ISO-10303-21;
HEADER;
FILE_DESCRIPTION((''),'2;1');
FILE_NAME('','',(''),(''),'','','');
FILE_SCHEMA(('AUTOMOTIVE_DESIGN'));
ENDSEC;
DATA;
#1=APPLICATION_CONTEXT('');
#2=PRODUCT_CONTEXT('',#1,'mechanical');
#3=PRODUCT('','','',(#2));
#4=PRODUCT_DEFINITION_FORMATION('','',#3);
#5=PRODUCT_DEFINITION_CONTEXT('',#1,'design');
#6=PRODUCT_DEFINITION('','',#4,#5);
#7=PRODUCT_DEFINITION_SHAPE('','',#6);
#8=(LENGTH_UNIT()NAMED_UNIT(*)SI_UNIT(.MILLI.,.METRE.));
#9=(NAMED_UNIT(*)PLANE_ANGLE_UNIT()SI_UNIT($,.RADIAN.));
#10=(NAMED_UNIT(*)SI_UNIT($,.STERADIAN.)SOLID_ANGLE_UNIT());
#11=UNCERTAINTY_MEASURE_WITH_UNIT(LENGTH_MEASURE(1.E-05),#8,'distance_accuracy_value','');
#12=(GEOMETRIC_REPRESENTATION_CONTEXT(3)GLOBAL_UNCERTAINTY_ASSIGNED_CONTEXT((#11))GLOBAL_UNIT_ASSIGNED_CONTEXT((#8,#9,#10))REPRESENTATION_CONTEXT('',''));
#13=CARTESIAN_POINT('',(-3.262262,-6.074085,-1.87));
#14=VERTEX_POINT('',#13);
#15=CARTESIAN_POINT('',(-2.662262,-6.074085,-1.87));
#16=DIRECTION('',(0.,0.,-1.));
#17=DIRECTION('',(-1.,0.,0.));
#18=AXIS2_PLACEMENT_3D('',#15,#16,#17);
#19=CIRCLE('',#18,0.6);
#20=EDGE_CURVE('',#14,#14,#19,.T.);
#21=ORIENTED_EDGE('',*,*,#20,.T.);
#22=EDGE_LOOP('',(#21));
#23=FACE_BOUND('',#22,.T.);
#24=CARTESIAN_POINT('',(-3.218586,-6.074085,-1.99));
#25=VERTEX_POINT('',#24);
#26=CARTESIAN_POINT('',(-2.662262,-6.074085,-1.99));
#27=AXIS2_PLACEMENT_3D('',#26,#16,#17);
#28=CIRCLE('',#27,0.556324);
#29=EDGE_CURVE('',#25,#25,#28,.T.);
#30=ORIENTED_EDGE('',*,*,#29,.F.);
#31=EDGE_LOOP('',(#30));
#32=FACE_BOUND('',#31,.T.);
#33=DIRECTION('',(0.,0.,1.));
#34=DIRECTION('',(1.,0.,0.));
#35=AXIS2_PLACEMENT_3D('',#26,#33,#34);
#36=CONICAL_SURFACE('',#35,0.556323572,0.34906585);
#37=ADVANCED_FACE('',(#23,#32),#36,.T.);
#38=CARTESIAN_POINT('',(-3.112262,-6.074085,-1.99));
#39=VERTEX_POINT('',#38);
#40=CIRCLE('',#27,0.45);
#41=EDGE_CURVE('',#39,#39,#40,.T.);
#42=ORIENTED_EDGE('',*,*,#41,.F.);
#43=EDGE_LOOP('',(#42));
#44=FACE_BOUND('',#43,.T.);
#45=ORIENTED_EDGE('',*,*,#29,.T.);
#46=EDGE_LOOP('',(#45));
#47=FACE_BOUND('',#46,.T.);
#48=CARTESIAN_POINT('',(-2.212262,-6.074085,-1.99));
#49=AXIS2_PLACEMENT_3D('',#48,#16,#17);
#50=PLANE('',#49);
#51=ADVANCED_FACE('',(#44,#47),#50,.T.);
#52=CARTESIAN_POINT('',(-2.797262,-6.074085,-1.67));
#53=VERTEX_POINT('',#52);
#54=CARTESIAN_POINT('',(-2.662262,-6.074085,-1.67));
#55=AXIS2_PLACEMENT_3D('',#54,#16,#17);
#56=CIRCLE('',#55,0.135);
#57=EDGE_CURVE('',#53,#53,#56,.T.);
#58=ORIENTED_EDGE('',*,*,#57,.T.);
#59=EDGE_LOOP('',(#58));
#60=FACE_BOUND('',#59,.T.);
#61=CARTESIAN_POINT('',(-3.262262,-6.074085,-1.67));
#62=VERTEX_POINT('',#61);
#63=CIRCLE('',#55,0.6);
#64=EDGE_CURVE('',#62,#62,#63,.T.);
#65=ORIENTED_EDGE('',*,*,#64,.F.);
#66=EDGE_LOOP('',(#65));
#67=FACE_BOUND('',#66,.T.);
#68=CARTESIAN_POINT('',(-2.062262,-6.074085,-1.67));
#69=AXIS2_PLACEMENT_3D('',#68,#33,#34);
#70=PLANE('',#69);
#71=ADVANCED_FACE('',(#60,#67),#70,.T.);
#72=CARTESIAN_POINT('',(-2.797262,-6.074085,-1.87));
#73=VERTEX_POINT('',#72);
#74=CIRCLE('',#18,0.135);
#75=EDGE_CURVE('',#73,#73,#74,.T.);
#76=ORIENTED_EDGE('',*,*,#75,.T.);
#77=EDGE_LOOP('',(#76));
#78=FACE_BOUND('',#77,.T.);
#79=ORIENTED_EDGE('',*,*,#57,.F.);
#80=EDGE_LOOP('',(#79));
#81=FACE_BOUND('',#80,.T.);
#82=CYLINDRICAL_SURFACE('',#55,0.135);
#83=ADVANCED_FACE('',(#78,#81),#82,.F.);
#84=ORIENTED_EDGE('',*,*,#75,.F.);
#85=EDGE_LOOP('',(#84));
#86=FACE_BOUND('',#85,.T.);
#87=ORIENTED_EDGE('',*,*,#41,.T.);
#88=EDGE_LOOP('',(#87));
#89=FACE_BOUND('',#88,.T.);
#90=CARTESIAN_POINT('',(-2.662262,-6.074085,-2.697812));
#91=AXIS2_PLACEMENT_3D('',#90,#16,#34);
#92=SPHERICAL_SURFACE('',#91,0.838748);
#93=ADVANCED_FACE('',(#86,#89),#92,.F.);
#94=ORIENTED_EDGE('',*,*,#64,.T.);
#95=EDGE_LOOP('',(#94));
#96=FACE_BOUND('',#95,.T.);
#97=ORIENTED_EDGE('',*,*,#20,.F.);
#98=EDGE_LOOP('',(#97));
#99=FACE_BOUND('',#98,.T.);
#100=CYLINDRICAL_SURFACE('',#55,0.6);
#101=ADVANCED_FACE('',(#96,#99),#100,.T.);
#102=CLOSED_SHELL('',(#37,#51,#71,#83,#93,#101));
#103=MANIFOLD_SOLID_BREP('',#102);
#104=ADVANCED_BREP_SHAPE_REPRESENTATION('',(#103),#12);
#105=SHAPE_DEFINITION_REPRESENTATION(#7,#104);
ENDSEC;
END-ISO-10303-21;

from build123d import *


with BuildPart() as part:
    # Sketch1 → Revolve1 (revolve)
    with BuildSketch(Plane.XZ.offset(6.0740848)):
        with BuildLine():
            Line((-2.062261998, -1.87), (-2.062261998, -1.67))
            Line((-2.062261998, -1.67), (-2.527261998, -1.67))
            Line((-2.527261998, -1.67), (-2.527261998, -1.87))
            ThreePointArc((-2.527261998, -1.87), (-2.36367156, -1.914012599), (-2.212261998, -1.99))
            Line((-2.212261998, -1.99), (-2.105938426, -1.99))
            Line((-2.105938426, -1.99), (-2.062261998, -1.87))
        make_face()
    revolve(axis=Axis((-2.662261998, -6.0740848, -1.67), (0, 0, -1)))


solid = part.part
